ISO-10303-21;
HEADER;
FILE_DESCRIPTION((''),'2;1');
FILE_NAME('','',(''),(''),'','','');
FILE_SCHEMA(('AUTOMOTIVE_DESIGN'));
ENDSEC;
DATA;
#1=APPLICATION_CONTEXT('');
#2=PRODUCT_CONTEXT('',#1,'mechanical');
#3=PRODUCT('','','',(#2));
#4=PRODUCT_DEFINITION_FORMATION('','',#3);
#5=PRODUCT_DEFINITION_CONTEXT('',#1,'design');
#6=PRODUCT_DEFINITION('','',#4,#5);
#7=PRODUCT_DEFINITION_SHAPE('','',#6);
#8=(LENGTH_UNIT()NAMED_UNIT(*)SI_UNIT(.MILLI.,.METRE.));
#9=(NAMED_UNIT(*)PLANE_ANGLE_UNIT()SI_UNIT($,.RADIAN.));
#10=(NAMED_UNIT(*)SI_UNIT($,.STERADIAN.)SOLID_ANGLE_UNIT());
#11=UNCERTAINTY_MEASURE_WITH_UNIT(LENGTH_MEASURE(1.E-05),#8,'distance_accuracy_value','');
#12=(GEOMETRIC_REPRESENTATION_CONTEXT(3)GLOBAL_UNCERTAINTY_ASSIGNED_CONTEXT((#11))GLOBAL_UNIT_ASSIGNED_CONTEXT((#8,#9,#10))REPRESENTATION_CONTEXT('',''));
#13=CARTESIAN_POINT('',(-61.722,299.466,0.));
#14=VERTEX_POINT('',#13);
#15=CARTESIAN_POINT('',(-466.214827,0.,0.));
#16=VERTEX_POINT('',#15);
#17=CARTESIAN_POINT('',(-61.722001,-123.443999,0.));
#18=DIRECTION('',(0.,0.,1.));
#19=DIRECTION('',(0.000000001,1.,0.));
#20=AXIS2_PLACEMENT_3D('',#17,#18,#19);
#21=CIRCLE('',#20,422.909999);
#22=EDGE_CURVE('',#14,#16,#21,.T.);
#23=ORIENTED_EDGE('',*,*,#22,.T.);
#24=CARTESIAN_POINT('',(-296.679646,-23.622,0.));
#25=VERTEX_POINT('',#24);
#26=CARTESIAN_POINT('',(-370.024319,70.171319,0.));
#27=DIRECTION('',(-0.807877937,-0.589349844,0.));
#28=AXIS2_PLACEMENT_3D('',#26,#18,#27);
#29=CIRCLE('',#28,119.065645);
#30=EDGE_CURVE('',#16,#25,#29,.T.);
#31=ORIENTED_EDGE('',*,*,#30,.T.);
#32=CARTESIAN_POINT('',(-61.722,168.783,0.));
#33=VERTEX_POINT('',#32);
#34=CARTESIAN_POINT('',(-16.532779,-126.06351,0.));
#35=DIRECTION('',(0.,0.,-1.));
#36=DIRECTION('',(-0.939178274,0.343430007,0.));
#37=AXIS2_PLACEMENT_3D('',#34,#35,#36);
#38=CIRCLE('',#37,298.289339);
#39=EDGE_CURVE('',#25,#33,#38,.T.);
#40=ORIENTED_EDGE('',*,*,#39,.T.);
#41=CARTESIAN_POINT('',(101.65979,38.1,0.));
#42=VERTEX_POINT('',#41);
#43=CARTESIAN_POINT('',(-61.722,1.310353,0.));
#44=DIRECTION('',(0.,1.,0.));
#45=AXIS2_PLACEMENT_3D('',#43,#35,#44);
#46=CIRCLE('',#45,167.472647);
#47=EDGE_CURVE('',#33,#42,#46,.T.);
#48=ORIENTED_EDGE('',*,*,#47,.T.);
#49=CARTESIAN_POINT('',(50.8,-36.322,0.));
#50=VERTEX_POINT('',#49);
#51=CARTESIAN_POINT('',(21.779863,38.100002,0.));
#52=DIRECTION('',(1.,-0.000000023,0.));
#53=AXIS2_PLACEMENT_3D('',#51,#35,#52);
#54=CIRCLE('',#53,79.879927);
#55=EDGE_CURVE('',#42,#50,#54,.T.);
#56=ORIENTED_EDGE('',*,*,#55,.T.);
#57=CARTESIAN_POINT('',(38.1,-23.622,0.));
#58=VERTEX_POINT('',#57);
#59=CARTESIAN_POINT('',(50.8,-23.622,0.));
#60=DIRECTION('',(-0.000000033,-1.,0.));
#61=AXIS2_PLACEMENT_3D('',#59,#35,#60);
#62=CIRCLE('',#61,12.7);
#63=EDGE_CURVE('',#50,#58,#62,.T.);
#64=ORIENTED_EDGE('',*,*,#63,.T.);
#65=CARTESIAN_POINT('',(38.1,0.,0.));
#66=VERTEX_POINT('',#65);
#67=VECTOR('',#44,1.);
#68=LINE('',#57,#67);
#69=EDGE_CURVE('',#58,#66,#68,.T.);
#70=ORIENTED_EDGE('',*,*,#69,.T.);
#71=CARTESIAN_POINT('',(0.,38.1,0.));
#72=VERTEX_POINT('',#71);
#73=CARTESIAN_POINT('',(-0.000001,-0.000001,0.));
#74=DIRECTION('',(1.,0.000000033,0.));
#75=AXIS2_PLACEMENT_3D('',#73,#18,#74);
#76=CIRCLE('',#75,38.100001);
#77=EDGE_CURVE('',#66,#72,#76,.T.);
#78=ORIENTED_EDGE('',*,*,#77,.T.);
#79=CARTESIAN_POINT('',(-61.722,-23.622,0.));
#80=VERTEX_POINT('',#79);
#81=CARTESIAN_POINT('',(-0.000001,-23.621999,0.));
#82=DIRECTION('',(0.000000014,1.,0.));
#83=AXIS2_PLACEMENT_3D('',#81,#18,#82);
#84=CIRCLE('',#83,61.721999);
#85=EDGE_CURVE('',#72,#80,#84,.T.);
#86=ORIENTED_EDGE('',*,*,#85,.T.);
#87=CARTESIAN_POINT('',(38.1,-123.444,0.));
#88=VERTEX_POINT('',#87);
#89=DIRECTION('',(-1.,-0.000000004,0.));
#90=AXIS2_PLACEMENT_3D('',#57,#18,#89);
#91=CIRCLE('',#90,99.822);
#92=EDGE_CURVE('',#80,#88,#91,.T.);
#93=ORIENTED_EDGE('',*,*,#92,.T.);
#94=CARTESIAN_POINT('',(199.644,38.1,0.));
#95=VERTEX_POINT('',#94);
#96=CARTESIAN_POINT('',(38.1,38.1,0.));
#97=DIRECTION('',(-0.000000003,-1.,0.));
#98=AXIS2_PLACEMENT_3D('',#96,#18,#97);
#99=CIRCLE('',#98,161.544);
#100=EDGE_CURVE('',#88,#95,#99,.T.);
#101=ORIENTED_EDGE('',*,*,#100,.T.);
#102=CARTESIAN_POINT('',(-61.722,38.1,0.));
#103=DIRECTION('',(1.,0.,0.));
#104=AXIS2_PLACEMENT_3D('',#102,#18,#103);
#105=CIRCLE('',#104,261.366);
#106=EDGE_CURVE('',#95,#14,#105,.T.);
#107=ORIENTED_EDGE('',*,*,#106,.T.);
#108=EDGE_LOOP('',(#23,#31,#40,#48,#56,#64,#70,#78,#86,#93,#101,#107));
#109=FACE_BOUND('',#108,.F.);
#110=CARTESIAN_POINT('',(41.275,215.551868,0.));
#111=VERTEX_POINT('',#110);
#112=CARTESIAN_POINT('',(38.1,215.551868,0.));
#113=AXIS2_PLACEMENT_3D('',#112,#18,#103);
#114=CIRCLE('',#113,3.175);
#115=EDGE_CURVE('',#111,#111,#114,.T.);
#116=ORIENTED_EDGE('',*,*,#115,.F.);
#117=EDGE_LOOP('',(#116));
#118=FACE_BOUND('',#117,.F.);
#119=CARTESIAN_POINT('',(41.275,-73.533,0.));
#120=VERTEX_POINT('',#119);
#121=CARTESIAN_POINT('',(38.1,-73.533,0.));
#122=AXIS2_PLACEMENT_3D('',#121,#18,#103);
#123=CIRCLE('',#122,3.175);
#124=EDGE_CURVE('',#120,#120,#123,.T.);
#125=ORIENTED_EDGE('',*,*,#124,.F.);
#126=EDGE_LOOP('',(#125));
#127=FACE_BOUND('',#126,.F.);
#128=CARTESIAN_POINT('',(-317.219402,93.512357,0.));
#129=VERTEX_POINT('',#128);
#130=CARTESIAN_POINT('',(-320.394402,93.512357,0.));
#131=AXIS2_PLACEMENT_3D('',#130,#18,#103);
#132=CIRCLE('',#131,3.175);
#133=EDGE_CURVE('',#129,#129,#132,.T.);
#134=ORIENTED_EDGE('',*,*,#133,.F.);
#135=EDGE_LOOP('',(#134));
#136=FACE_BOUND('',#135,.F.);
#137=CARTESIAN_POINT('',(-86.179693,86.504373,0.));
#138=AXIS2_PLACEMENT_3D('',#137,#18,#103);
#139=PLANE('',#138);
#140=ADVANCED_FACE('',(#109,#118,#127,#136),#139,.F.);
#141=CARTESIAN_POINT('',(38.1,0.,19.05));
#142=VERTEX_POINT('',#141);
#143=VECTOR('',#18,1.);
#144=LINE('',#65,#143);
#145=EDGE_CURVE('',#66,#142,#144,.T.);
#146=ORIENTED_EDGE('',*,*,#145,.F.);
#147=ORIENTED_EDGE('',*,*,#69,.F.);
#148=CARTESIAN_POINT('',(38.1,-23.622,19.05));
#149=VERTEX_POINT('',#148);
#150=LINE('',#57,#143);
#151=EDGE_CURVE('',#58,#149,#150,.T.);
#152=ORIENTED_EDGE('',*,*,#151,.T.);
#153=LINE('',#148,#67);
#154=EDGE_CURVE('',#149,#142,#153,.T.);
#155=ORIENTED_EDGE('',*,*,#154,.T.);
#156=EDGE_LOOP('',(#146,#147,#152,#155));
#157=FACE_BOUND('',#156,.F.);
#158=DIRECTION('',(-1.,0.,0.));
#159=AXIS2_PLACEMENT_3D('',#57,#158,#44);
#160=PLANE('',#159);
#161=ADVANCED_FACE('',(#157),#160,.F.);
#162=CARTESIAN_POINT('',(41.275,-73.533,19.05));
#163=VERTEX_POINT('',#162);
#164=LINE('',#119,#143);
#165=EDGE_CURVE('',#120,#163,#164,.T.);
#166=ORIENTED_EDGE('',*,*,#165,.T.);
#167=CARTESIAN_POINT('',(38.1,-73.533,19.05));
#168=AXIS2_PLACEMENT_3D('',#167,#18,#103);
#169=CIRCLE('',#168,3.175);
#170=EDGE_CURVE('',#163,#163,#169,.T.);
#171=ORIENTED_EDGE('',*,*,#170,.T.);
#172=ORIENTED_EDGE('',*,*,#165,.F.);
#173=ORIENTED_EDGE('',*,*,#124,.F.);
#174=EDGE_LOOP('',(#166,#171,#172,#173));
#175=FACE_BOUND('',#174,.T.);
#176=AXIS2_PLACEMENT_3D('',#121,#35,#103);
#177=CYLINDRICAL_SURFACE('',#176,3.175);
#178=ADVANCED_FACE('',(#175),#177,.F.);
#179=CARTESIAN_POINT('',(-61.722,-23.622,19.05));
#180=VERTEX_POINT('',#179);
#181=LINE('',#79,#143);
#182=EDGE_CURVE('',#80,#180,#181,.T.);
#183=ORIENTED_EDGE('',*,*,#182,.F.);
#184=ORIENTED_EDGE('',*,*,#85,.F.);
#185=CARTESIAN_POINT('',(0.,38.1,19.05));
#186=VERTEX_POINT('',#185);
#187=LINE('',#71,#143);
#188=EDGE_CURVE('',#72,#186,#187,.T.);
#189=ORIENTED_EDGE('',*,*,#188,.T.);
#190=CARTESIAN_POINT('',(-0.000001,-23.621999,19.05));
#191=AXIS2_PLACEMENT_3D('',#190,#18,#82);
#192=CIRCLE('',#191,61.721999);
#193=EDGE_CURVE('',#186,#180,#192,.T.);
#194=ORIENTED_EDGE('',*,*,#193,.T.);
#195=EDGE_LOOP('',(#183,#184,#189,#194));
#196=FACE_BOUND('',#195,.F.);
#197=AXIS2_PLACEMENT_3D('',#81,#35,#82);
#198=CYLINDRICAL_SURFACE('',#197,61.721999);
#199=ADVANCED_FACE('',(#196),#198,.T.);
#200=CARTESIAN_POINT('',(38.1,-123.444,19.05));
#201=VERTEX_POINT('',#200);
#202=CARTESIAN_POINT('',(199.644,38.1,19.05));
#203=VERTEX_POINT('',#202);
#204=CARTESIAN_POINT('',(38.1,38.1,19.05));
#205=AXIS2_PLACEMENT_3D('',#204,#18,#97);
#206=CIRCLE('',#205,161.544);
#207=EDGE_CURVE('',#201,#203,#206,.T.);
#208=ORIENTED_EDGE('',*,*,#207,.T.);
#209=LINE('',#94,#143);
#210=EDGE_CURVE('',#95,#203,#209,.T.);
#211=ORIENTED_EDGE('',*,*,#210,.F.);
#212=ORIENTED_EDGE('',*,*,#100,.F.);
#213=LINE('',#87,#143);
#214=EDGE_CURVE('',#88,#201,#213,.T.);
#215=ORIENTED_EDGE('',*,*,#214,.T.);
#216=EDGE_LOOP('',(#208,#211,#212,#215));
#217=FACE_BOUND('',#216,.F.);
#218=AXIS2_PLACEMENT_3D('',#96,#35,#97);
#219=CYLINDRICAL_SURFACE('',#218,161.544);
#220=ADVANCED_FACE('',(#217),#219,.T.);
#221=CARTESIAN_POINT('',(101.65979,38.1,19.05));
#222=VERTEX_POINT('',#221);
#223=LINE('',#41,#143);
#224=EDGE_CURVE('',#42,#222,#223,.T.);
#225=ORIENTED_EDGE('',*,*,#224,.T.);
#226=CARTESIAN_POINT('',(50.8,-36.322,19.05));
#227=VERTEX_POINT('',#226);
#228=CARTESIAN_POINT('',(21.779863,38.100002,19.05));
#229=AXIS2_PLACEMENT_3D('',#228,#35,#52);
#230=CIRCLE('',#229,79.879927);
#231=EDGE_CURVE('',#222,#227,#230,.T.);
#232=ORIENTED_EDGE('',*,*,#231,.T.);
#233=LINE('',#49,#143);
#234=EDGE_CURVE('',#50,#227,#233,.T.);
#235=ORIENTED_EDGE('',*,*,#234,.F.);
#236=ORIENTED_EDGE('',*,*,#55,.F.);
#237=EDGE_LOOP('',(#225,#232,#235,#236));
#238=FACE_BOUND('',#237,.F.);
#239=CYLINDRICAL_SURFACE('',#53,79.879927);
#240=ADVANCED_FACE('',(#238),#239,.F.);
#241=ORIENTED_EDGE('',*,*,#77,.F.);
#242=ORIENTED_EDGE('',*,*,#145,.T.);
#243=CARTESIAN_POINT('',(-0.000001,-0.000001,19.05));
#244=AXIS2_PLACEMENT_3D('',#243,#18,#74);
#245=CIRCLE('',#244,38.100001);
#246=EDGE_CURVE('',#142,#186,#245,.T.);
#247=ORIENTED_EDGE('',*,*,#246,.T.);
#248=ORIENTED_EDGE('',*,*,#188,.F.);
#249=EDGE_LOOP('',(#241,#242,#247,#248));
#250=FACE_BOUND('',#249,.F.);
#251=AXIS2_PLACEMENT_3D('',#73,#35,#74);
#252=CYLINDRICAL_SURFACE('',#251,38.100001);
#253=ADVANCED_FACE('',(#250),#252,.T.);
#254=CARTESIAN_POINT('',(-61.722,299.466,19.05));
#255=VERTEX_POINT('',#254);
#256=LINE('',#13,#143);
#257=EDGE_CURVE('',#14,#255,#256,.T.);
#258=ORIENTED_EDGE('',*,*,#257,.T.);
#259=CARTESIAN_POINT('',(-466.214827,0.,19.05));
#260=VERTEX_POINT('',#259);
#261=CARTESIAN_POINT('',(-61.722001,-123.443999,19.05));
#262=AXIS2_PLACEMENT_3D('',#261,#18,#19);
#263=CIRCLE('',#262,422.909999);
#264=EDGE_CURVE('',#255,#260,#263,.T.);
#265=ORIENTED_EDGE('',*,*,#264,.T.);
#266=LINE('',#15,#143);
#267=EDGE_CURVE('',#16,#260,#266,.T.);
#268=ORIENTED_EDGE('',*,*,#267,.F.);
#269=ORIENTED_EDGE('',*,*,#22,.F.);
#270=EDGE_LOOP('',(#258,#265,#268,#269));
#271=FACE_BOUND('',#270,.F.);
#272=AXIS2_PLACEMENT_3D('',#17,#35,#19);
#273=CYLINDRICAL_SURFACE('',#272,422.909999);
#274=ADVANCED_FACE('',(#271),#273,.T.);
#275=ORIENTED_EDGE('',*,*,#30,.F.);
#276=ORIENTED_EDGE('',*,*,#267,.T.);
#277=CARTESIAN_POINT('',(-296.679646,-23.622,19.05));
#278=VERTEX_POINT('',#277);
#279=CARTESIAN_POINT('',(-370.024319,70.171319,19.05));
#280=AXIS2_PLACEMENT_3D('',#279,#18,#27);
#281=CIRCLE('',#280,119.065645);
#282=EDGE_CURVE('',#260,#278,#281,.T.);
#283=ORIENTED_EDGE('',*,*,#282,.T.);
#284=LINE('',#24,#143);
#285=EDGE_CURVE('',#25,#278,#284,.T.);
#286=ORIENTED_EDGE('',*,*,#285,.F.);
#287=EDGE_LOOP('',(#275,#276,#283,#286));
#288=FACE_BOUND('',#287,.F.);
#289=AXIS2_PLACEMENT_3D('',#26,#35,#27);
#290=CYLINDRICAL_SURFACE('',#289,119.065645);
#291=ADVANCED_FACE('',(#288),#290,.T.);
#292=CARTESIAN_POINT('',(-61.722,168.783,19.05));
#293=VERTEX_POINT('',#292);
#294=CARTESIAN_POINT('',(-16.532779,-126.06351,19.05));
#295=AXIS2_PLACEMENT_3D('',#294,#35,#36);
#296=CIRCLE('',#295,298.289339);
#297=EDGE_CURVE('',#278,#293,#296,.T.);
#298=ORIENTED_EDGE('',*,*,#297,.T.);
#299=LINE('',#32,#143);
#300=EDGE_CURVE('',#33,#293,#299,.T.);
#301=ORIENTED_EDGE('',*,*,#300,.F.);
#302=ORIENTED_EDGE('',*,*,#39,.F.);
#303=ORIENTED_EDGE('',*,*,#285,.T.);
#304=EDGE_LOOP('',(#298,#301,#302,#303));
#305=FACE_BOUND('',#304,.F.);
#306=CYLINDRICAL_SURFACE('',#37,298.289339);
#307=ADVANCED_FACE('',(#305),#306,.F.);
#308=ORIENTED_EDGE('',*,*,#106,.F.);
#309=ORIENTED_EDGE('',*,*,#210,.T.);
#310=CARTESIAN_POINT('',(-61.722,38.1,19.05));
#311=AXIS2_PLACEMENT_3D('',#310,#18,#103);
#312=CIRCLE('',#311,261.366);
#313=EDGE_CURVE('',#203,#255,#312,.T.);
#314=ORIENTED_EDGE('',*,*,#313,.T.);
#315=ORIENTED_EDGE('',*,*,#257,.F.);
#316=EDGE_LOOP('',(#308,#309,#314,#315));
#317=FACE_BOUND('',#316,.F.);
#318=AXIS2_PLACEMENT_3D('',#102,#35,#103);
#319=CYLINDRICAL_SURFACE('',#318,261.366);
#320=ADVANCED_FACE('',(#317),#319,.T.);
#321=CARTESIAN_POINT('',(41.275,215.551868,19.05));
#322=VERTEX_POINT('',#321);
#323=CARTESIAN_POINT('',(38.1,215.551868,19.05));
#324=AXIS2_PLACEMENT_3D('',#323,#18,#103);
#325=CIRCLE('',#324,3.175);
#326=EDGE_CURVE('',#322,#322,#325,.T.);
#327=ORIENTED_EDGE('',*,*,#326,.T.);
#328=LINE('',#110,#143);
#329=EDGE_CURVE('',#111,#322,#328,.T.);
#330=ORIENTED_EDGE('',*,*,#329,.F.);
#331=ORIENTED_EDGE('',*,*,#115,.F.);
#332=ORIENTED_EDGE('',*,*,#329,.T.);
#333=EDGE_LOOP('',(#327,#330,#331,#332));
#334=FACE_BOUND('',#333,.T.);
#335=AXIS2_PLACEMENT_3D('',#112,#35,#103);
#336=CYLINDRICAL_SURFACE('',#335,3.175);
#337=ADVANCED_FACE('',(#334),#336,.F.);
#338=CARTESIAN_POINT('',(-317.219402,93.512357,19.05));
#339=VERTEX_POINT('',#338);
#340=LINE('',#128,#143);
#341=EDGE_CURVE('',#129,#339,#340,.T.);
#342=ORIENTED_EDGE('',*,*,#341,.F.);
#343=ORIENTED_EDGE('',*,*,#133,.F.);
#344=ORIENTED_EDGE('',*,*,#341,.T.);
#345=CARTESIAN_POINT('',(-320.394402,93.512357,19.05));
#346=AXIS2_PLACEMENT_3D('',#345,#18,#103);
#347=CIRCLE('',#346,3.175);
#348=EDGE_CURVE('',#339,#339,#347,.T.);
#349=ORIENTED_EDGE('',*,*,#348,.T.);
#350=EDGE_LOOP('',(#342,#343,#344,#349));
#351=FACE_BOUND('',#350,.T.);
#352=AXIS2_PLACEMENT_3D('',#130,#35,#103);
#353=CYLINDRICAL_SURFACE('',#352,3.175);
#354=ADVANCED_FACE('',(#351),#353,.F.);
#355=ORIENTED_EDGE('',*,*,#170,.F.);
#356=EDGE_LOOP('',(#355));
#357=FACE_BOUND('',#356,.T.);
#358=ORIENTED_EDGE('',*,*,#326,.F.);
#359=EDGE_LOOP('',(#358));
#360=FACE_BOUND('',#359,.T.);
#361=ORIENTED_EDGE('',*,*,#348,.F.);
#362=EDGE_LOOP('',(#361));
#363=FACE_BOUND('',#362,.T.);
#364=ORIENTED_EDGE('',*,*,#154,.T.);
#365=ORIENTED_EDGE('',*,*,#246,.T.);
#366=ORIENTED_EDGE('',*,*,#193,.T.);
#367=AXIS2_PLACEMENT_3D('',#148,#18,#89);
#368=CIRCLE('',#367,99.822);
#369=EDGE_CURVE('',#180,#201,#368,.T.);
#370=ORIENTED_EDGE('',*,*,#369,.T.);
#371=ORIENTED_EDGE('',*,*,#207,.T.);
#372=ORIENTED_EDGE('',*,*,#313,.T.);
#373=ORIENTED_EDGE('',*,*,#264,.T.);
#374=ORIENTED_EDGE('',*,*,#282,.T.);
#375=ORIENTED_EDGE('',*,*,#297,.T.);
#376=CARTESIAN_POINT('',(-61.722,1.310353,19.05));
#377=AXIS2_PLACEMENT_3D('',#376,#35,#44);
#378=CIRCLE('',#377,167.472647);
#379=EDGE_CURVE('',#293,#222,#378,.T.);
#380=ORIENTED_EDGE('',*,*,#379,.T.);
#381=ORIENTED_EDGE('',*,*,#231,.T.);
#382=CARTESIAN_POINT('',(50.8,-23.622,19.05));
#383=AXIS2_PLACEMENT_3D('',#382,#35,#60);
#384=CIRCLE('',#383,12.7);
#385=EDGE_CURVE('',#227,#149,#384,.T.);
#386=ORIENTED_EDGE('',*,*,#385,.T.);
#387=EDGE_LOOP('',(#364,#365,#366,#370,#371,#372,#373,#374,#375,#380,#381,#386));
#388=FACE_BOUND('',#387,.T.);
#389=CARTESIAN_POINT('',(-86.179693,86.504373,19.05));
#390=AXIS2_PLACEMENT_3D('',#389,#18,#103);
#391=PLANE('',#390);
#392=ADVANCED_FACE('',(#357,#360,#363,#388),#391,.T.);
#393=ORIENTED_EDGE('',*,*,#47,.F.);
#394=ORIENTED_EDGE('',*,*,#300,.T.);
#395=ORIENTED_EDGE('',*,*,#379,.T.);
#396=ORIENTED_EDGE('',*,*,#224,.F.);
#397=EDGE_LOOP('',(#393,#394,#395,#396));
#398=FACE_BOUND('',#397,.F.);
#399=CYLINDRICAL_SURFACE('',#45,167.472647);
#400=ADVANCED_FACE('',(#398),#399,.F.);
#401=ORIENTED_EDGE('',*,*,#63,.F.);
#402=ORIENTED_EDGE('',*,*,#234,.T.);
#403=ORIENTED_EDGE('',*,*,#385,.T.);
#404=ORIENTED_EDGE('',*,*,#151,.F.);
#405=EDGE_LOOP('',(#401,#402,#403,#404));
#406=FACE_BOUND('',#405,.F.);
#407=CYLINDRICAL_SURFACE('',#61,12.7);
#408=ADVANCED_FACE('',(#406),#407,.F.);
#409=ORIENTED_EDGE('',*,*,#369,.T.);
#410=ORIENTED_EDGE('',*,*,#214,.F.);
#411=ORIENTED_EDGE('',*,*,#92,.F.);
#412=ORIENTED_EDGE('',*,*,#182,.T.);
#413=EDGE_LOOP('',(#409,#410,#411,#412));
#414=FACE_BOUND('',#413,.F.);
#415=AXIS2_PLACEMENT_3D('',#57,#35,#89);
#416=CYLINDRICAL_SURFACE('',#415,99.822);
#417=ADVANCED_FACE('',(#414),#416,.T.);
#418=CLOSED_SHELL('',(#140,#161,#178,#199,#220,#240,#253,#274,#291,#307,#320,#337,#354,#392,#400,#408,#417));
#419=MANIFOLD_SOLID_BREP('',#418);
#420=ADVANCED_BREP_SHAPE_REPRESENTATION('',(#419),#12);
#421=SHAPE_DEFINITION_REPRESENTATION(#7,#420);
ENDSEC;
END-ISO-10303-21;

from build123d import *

# Parameters (mm, degrees)
F0_R     = 3.175
F1_DEPTH = 19.05


with BuildPart() as f1:
    # F0 (on Top) → F1 (new body)
    with BuildSketch(Plane.XY):
        with BuildLine():
            Line((38.1, -23.622), (38.1, 0))
            ThreePointArc((38.1, 0), (26.940768, 26.940768), (0, 38.1))
            ThreePointArc((0, 38.1), (-43.644045, 20.022045), (-61.722, -23.622))
            ThreePointArc((-61.722, -23.622), (-32.484813, -94.206813), (38.1, -123.444))
            ThreePointArc((38.1, -123.444), (152.328858, -76.128858), (199.644, 38.1))
            ThreePointArc((199.644, 38.1), (123.091671, 222.913671), (-61.722, 299.466))
            ThreePointArc((-61.722, 299.466), (-313.363775, 216.451992), (-466.214827, 0))
            ThreePointArc((-466.214827, 0), (-386.455471, -47.75512), (-296.679646, -23.622))
            ThreePointArc((-296.679646, -23.622), (-205.519058, 104.719324), (-61.722, 168.783))
            ThreePointArc((-61.722, 168.783), (42.886384, 132.093278), (101.65979, 38.1))
            ThreePointArc((101.65979, 38.1), (87.730333, -6.970368), (50.8, -36.322))
            ThreePointArc((50.8, -36.322), (41.819744, -32.602256), (38.1, -23.622))
        make_face()
        with Locations((38.1, -73.533)):
            Circle(F0_R, mode=Mode.SUBTRACT)
        with Locations((-320.394402, 93.512357)):
            Circle(F0_R, mode=Mode.SUBTRACT)
        with Locations((38.1, 215.551868)):
            Circle(F0_R, mode=Mode.SUBTRACT)
    extrude(amount=F1_DEPTH)


solid = f1.part
